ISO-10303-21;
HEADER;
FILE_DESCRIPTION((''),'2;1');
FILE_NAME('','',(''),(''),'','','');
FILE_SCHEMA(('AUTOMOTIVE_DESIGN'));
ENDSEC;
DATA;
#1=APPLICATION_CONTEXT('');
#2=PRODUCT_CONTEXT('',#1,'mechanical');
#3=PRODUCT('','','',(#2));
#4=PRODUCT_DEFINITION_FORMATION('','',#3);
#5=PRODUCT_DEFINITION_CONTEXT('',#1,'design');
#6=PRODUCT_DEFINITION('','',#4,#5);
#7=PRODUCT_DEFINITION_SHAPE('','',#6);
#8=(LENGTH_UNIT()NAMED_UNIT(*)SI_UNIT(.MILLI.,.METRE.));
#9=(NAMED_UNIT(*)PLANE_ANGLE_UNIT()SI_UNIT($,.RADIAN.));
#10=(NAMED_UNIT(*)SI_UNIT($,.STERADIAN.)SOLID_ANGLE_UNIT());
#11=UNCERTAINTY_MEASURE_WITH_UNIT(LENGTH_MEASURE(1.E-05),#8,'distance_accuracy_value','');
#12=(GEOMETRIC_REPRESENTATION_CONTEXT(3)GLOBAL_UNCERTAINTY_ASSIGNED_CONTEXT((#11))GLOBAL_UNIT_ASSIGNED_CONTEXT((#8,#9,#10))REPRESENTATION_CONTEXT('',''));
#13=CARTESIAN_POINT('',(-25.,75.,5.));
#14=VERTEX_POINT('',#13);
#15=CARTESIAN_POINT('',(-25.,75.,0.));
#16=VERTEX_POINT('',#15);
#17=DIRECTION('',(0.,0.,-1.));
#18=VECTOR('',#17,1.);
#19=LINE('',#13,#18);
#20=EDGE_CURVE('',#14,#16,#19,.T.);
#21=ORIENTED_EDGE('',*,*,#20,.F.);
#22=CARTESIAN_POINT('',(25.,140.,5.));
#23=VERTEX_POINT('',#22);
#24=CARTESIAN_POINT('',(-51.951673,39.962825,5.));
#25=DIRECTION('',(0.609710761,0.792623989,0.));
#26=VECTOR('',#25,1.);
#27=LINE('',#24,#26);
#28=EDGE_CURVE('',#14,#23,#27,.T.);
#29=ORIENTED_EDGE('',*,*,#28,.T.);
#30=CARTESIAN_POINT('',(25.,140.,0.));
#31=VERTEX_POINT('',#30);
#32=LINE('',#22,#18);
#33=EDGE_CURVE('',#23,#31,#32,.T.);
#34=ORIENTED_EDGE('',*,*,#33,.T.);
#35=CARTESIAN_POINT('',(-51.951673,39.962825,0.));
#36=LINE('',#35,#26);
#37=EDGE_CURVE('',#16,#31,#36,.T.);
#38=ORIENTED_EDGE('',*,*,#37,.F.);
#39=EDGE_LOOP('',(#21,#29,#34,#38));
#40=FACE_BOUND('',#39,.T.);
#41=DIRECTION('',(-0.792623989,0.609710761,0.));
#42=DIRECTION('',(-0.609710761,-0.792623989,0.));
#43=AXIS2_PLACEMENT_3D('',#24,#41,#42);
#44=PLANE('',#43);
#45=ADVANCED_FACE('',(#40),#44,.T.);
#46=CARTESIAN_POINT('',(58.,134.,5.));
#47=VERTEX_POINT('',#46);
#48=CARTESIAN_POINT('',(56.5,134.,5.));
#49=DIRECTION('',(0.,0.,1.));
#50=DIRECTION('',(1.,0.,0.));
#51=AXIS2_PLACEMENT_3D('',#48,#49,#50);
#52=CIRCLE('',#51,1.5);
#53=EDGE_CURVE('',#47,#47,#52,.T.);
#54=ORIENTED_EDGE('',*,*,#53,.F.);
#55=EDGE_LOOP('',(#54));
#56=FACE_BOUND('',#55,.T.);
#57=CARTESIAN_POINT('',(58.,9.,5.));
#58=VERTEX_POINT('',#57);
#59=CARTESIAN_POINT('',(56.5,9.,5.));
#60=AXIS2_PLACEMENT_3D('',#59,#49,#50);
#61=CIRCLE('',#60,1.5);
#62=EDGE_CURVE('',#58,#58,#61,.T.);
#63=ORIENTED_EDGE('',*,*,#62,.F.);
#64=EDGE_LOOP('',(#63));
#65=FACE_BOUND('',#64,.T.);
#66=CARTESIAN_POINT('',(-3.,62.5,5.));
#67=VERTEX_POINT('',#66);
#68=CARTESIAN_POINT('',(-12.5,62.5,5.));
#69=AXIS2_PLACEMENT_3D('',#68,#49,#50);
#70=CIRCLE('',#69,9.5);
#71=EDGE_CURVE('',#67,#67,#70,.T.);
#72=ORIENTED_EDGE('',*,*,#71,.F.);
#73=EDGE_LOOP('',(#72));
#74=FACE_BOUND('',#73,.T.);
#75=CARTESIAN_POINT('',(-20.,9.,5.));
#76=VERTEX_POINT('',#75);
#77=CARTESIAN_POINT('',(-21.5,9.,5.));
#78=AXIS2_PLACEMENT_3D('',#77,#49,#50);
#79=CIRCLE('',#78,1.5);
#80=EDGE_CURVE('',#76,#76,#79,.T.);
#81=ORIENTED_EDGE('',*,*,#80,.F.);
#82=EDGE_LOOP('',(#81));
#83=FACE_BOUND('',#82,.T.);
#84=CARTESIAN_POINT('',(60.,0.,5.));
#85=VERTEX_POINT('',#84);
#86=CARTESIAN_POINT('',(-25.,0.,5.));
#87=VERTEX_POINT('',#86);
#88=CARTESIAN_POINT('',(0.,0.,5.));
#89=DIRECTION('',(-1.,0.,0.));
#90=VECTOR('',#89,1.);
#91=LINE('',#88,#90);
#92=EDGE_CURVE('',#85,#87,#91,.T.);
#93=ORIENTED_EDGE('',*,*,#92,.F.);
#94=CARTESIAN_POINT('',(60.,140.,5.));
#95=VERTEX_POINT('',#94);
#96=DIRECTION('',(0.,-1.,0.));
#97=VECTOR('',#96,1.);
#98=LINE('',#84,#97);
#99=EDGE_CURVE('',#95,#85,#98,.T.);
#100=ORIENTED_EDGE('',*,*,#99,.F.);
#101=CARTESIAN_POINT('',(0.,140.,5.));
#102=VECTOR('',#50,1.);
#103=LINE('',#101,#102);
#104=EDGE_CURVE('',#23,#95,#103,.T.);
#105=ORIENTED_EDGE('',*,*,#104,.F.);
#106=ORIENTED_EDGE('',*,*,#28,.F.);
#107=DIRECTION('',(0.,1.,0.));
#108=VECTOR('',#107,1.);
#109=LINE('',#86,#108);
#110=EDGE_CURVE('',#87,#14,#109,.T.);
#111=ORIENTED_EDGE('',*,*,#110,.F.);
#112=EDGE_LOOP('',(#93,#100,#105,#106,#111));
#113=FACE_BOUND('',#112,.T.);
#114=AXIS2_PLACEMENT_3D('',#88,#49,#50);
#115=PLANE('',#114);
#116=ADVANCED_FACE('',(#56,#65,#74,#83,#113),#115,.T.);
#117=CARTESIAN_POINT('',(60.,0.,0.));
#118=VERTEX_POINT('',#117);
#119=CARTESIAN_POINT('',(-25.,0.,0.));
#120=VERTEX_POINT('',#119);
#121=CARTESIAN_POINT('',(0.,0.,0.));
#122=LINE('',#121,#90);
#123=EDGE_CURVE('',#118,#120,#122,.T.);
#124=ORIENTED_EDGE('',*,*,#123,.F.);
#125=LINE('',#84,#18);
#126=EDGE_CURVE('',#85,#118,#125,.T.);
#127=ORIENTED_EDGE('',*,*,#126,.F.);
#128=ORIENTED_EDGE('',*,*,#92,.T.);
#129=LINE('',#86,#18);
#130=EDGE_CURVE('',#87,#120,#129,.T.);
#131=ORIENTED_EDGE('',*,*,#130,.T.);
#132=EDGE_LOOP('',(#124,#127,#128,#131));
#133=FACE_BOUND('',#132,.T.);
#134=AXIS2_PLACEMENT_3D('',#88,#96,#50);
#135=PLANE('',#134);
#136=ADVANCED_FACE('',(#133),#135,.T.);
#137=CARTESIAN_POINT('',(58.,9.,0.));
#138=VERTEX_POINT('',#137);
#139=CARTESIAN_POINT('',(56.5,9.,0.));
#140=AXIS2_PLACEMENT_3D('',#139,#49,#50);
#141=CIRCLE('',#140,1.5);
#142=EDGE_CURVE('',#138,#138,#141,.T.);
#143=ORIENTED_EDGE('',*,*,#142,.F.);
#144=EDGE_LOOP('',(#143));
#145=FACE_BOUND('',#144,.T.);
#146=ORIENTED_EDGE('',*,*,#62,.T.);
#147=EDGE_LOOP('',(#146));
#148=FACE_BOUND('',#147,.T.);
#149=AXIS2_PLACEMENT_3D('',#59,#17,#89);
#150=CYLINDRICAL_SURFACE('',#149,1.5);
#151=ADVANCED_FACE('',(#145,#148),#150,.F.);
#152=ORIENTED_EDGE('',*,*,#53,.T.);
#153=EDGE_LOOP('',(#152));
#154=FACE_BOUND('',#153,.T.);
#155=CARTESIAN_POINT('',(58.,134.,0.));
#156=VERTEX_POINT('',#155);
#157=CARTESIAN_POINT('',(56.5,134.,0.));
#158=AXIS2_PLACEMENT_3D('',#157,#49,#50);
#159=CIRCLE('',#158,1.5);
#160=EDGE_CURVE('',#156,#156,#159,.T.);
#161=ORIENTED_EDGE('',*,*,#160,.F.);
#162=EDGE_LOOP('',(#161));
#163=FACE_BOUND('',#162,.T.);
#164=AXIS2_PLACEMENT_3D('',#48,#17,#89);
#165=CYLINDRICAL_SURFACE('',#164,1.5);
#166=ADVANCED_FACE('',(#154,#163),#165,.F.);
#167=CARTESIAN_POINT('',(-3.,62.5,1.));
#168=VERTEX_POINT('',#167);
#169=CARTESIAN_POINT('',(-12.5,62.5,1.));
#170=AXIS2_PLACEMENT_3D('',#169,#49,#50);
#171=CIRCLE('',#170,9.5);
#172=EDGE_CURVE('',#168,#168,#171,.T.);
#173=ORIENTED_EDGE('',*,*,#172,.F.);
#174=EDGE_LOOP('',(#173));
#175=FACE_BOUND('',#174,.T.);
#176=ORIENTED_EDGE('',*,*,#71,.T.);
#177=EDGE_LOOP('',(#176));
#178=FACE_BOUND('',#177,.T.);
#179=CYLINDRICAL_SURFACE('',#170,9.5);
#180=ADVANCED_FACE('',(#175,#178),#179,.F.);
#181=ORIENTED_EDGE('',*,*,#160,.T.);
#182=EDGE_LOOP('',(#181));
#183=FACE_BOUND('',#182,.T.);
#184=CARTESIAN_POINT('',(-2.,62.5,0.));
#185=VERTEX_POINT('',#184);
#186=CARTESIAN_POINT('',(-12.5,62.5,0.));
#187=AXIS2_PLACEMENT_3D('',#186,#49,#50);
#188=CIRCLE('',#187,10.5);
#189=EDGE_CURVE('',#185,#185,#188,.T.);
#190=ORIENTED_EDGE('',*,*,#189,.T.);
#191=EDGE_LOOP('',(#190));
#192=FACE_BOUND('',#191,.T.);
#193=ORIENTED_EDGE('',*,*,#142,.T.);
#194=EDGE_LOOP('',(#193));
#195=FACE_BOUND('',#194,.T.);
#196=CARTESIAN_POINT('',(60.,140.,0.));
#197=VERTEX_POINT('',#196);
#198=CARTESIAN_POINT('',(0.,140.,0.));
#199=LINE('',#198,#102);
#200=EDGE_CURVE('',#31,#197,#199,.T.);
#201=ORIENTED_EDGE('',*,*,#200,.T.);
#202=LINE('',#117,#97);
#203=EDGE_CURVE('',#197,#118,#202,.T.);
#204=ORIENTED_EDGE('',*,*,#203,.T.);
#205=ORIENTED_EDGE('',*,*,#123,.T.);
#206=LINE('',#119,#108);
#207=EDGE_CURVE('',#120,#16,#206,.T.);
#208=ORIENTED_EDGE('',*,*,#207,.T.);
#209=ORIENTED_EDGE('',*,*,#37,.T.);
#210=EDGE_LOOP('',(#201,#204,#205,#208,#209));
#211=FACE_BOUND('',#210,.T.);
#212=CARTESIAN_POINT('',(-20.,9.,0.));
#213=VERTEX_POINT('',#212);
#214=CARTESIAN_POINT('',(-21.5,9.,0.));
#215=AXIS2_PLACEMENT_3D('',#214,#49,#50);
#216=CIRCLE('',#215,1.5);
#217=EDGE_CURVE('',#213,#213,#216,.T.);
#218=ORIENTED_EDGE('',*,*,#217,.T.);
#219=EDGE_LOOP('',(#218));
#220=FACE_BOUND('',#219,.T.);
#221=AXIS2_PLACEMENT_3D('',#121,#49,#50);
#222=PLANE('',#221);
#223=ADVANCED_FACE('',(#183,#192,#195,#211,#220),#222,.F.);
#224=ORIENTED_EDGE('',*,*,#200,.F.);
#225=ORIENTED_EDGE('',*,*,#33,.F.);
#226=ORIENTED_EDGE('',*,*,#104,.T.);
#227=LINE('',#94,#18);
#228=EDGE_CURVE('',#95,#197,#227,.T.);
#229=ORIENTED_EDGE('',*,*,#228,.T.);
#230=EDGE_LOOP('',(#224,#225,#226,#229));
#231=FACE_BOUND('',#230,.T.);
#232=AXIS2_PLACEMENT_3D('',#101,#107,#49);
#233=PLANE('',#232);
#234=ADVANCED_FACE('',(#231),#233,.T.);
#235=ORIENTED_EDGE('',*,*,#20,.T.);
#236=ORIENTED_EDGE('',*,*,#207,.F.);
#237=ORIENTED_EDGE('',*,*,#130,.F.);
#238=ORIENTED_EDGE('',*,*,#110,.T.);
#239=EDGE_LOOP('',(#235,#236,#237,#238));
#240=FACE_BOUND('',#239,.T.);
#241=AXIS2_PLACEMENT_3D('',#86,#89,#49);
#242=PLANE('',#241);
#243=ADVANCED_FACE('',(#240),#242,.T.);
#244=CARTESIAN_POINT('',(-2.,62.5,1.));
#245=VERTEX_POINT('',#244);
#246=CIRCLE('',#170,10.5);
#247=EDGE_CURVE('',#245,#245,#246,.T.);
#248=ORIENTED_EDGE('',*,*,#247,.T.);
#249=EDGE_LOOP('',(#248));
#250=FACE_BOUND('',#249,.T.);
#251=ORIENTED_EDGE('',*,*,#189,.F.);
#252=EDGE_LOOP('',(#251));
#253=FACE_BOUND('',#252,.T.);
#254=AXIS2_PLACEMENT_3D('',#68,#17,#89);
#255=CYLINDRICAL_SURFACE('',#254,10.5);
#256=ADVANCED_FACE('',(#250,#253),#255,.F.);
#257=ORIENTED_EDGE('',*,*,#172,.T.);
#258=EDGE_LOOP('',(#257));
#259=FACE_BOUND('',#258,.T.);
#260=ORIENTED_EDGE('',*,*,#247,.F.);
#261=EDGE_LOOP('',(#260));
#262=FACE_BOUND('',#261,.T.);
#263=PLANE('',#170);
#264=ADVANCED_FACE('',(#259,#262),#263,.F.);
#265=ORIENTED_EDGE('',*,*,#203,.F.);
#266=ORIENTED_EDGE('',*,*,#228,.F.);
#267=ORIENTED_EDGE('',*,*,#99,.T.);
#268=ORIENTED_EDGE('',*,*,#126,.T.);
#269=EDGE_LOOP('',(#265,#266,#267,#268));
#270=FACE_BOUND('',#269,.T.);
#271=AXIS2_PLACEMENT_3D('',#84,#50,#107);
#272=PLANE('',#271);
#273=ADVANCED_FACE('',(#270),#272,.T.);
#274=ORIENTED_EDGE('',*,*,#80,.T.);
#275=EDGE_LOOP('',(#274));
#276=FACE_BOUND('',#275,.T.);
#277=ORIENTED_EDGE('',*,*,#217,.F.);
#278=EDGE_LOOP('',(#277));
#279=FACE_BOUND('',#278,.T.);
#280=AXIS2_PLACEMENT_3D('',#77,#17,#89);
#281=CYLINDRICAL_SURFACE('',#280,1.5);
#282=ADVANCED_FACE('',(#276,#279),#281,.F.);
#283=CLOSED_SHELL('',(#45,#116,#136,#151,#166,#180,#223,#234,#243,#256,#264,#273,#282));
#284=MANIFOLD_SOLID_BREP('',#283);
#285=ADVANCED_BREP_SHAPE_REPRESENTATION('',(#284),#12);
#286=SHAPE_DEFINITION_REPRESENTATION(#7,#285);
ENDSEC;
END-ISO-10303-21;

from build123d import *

# Parameters (mm, degrees)
SKETCH1_R           = 1.5
SKETCH1_R_2         = 10.5
BOSS_EXTRUDE1_DEPTH = 5
BOSS_EXTRUDE2_START = 1
SKETCH1_3_R         = 10.5
SKETCH1_3_R_2       = 9.5
BOSS_EXTRUDE2_DEPTH = 4


with BuildPart() as part:
    # Sketch1 → Boss-Extrude1 (new body)
    with BuildSketch(Plane.XY):
        Polygon((-25, 0), (50, 0), (60, 0), (60, 140), (25, 140), (-25, 75), align=None)
        with Locations((-21.5, 9)):
            Circle(SKETCH1_R, mode=Mode.SUBTRACT)
        with Locations((-12.5, 62.5)):
            Circle(SKETCH1_R_2, mode=Mode.SUBTRACT)
        with Locations((56.5, 9)):
            Circle(SKETCH1_R, mode=Mode.SUBTRACT)
        with Locations((56.5, 134)):
            Circle(SKETCH1_R, mode=Mode.SUBTRACT)
    extrude(amount=BOSS_EXTRUDE1_DEPTH)

    # Sketch1<3> → Boss-Extrude2 (add)
    with BuildSketch(Plane.XY.offset(BOSS_EXTRUDE2_START)):
        with Locations((-12.5, 62.5)):
            Circle(SKETCH1_3_R)
        with Locations((-12.5, 62.5)):
            Circle(SKETCH1_3_R_2, mode=Mode.SUBTRACT)
    extrude(amount=BOSS_EXTRUDE2_DEPTH)


solid = part.part
